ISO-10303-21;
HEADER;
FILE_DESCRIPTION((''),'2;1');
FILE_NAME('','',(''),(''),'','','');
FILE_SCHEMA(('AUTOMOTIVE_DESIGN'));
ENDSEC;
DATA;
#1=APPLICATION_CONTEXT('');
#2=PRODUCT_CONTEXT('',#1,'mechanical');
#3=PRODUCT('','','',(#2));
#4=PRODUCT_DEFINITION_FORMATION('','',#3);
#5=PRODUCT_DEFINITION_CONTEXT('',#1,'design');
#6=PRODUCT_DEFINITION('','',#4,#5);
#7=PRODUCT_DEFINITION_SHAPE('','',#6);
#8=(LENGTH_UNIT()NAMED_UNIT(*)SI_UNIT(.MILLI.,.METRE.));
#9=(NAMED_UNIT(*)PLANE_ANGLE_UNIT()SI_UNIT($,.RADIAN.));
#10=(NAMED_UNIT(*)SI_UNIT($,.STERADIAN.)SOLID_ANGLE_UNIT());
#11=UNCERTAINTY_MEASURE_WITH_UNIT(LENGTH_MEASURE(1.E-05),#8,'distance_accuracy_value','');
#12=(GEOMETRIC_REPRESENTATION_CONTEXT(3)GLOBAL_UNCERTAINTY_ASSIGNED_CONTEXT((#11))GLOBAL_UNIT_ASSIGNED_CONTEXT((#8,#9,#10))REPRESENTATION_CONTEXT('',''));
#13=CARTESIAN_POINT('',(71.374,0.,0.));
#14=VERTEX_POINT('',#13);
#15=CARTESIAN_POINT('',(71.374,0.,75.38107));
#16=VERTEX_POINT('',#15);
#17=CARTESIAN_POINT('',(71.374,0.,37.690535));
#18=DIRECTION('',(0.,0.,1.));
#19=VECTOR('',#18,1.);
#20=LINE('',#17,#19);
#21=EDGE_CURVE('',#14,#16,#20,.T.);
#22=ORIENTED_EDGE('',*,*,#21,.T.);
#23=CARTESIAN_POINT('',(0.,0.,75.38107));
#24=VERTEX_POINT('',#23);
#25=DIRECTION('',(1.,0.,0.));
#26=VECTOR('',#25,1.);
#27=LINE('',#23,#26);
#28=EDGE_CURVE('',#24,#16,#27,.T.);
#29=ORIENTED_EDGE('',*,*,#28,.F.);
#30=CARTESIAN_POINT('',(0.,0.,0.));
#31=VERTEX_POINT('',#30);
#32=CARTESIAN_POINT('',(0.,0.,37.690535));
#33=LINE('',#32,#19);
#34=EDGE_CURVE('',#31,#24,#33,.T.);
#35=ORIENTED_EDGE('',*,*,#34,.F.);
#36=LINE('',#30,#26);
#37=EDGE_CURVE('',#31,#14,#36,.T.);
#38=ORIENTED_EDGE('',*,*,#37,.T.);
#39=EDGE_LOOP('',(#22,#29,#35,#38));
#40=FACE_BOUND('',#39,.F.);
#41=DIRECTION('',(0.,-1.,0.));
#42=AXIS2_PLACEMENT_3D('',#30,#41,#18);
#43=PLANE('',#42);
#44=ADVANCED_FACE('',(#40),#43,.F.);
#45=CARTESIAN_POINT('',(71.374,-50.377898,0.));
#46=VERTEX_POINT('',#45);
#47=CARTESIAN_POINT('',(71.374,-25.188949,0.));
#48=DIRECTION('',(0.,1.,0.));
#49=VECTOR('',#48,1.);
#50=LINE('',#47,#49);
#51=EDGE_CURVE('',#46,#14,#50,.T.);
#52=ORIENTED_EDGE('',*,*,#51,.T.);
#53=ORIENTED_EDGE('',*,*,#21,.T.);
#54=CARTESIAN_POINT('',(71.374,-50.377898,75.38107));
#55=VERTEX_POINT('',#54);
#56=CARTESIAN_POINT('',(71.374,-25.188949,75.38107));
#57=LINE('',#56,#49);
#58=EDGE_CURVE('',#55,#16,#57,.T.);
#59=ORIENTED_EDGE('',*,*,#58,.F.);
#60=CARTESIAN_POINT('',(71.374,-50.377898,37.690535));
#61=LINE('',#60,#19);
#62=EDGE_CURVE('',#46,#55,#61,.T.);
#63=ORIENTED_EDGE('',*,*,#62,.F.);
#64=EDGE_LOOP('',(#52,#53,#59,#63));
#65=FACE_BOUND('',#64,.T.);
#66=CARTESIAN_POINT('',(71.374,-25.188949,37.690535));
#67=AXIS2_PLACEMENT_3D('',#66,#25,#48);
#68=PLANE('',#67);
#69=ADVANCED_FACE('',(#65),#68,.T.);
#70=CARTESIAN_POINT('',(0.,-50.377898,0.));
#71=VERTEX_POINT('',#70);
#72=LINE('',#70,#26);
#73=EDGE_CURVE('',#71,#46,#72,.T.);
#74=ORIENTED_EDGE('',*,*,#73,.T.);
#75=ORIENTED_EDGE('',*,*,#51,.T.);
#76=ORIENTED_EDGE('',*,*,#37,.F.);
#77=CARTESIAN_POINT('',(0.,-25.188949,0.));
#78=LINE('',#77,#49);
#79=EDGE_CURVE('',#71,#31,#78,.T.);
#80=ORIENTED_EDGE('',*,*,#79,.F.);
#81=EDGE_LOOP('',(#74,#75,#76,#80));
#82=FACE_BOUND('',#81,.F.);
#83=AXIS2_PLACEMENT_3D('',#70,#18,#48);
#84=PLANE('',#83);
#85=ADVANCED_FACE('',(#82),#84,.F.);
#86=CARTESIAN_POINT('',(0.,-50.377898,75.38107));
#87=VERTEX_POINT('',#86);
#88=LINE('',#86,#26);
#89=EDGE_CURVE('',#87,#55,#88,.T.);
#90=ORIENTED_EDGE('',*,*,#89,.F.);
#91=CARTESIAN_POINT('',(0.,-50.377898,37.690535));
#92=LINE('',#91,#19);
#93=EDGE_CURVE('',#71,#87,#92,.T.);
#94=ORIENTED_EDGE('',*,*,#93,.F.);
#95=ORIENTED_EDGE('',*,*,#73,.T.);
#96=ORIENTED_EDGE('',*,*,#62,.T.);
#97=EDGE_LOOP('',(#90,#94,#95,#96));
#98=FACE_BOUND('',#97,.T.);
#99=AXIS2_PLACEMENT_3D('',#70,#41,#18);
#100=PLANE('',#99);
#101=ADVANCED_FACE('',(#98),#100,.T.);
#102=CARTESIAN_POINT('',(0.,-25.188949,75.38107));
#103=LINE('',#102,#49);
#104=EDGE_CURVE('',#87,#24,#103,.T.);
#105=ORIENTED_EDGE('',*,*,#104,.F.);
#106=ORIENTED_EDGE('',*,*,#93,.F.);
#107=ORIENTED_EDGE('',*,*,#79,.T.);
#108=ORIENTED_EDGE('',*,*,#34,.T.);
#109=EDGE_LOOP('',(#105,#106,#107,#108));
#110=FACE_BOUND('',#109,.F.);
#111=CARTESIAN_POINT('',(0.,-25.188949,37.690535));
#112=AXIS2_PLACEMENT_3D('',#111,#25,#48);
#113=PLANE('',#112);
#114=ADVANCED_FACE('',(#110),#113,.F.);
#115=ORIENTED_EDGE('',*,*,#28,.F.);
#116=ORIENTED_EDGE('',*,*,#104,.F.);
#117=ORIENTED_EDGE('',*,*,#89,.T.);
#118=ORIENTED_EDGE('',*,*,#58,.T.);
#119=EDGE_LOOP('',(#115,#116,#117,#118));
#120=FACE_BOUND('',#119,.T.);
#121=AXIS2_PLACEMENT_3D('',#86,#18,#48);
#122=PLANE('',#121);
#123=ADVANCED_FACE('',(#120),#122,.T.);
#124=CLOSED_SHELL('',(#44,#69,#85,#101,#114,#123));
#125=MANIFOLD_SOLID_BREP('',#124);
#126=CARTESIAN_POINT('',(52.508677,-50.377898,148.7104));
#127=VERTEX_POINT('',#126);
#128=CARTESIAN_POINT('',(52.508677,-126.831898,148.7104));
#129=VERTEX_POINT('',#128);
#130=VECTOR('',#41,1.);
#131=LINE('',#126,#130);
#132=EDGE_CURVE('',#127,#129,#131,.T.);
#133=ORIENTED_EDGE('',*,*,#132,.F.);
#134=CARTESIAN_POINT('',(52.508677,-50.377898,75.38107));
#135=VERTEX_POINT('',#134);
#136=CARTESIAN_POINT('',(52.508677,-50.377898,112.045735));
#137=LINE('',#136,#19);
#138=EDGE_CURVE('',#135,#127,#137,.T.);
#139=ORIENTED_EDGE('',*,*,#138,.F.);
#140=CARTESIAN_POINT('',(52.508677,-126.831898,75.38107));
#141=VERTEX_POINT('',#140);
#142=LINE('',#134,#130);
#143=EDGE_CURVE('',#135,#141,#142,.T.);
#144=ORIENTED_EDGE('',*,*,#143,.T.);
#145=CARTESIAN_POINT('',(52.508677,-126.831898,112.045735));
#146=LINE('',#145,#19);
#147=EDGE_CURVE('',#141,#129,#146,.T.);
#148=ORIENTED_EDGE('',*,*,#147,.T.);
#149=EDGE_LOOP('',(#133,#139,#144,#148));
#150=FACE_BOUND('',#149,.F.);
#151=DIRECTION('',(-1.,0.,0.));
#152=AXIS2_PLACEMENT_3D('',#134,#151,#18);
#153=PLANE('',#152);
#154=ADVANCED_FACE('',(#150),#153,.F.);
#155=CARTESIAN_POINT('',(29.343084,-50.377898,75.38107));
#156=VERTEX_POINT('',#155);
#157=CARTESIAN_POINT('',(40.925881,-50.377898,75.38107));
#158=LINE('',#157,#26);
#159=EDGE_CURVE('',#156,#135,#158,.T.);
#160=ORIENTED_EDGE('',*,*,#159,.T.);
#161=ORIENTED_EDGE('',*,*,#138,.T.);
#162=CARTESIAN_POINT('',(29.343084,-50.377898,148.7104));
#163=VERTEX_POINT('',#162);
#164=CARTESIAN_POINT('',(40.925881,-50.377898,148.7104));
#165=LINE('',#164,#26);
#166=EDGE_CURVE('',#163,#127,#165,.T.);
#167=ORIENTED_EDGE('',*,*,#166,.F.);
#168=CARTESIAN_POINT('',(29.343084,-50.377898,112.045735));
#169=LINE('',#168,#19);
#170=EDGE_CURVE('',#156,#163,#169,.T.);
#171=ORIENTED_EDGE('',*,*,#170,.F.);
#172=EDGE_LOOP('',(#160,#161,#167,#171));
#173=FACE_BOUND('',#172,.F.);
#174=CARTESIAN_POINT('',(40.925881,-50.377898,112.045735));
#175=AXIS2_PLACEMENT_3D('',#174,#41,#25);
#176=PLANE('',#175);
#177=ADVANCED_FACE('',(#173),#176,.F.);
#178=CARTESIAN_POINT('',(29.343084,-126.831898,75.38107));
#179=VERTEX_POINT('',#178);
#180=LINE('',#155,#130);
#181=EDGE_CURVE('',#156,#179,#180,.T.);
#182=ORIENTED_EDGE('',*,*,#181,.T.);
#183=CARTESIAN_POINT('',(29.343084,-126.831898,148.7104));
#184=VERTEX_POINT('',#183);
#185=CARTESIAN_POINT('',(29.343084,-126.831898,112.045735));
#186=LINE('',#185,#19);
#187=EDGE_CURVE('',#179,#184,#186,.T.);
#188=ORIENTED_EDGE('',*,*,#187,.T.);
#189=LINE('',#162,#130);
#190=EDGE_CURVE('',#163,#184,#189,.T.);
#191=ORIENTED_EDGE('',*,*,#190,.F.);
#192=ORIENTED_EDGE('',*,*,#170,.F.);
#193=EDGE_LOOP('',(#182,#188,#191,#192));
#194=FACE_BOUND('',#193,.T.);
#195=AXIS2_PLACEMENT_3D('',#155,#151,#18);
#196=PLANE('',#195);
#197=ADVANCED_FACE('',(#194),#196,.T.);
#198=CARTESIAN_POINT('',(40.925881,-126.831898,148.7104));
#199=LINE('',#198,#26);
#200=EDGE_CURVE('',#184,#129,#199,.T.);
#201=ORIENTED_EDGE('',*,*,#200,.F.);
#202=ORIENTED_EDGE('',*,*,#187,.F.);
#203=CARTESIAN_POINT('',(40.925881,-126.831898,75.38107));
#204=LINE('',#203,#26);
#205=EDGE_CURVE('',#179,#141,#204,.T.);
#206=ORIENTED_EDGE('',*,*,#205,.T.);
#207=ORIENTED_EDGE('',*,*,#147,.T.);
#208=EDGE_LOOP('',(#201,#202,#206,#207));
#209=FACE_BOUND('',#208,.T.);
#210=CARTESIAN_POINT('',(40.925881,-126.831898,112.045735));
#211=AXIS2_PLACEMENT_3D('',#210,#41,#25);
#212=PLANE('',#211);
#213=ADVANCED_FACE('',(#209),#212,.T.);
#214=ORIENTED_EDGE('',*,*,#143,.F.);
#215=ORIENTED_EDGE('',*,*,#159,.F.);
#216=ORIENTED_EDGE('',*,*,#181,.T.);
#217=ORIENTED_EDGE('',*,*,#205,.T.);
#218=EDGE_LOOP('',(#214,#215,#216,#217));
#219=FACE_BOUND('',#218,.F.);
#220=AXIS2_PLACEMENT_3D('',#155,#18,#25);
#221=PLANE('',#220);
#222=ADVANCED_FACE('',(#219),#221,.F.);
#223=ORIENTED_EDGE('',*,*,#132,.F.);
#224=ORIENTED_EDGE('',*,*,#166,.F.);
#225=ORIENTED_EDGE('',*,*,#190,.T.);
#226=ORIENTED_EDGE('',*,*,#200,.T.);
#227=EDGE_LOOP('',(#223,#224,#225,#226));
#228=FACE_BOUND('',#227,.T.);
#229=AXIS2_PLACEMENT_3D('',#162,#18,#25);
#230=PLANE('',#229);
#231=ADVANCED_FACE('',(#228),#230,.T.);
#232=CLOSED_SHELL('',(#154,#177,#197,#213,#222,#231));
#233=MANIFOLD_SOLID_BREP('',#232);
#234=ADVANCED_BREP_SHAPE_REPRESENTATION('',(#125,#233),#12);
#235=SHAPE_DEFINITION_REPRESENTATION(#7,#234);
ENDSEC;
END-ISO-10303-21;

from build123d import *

# Parameters (mm, degrees)
F0_W     = 50.377898
F0_H     = 75.38107
F1_DEPTH = 71.374
F2_W     = 23.165593
F2_H     = 73.32933
F3_DEPTH = 76.454


with BuildPart() as f1:
    # F0 (on Right) → F1 (new body)
    with BuildSketch(Plane.YZ):
        with Locations((-25.188949, 37.690535)):
            Rectangle(F0_W, F0_H)
    extrude(amount=F1_DEPTH)


with BuildPart() as f3:
    # F2 (on face) → F3 (new body)
    with BuildSketch(Plane.XZ.offset(50.377898)):
        with Locations((40.925881, 112.045735)):
            Rectangle(F2_W, F2_H)
    extrude(amount=F3_DEPTH)


solid = Compound([f1.part, f3.part])
